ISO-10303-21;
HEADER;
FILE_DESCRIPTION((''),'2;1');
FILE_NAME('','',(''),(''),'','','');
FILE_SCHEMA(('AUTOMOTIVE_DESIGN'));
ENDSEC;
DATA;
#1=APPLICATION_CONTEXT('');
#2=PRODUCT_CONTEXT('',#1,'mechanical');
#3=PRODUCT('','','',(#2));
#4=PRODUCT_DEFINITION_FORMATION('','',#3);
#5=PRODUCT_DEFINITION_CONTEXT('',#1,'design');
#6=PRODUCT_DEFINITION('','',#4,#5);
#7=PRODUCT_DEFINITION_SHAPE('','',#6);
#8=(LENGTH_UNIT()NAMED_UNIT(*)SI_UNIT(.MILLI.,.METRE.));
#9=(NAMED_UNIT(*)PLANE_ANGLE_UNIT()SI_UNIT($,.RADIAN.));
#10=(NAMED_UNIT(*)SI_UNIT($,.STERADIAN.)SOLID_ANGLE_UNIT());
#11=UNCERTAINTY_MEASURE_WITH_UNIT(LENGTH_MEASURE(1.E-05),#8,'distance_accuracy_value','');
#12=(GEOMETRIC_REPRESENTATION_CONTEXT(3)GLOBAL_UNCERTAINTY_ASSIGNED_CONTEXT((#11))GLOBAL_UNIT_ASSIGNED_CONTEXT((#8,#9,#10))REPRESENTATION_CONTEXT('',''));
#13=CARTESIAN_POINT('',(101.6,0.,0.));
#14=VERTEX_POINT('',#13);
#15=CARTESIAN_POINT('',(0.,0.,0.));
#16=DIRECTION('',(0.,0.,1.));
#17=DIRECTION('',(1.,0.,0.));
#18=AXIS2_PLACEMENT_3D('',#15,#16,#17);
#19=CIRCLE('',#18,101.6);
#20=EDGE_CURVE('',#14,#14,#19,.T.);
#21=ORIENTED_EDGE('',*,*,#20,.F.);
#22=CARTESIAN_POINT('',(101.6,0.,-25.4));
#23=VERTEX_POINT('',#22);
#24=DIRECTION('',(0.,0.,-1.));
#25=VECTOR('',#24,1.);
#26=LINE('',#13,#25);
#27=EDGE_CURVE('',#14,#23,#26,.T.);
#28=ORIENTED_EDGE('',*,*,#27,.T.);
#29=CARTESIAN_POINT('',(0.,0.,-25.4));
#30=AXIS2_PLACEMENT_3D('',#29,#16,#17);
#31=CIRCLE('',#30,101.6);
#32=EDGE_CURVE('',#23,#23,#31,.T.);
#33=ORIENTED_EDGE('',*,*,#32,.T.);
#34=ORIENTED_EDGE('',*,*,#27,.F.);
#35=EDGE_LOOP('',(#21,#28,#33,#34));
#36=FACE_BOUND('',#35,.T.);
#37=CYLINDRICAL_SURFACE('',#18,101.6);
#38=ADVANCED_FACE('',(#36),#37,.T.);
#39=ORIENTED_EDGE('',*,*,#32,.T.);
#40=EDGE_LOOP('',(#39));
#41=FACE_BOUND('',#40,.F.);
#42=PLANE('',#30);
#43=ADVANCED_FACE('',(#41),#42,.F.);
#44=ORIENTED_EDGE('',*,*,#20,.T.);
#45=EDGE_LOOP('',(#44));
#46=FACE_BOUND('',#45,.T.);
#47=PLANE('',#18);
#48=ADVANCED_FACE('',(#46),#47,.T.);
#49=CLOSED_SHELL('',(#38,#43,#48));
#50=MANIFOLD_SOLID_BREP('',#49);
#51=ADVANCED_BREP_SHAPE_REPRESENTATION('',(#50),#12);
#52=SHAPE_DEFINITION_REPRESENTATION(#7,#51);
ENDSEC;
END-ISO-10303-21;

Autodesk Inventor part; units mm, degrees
ref_plane "YZ Plane" through (0, 0, 0) normal (1, 0, 0) x (0, 1, 0)
ref_plane "XZ Plane" through (0, 0, 0) normal (0, 1, 0) x (-1, 0, 0)
ref_plane "XY Plane" through (0, 0, 0) normal (0, 0, 1) x (1, 0, 0)
sketch "Sketch1" plane through (0, 0, 0) normal (0, 0, 1) x (1, 0, 0)
  circle A0 centre (0, 0) radius 101.6
  dimension "d0" = 203.2
extrude "Extrusion1" add sketch "Sketch1" against normal blind 25.4
properties part number "CircularPattern"
